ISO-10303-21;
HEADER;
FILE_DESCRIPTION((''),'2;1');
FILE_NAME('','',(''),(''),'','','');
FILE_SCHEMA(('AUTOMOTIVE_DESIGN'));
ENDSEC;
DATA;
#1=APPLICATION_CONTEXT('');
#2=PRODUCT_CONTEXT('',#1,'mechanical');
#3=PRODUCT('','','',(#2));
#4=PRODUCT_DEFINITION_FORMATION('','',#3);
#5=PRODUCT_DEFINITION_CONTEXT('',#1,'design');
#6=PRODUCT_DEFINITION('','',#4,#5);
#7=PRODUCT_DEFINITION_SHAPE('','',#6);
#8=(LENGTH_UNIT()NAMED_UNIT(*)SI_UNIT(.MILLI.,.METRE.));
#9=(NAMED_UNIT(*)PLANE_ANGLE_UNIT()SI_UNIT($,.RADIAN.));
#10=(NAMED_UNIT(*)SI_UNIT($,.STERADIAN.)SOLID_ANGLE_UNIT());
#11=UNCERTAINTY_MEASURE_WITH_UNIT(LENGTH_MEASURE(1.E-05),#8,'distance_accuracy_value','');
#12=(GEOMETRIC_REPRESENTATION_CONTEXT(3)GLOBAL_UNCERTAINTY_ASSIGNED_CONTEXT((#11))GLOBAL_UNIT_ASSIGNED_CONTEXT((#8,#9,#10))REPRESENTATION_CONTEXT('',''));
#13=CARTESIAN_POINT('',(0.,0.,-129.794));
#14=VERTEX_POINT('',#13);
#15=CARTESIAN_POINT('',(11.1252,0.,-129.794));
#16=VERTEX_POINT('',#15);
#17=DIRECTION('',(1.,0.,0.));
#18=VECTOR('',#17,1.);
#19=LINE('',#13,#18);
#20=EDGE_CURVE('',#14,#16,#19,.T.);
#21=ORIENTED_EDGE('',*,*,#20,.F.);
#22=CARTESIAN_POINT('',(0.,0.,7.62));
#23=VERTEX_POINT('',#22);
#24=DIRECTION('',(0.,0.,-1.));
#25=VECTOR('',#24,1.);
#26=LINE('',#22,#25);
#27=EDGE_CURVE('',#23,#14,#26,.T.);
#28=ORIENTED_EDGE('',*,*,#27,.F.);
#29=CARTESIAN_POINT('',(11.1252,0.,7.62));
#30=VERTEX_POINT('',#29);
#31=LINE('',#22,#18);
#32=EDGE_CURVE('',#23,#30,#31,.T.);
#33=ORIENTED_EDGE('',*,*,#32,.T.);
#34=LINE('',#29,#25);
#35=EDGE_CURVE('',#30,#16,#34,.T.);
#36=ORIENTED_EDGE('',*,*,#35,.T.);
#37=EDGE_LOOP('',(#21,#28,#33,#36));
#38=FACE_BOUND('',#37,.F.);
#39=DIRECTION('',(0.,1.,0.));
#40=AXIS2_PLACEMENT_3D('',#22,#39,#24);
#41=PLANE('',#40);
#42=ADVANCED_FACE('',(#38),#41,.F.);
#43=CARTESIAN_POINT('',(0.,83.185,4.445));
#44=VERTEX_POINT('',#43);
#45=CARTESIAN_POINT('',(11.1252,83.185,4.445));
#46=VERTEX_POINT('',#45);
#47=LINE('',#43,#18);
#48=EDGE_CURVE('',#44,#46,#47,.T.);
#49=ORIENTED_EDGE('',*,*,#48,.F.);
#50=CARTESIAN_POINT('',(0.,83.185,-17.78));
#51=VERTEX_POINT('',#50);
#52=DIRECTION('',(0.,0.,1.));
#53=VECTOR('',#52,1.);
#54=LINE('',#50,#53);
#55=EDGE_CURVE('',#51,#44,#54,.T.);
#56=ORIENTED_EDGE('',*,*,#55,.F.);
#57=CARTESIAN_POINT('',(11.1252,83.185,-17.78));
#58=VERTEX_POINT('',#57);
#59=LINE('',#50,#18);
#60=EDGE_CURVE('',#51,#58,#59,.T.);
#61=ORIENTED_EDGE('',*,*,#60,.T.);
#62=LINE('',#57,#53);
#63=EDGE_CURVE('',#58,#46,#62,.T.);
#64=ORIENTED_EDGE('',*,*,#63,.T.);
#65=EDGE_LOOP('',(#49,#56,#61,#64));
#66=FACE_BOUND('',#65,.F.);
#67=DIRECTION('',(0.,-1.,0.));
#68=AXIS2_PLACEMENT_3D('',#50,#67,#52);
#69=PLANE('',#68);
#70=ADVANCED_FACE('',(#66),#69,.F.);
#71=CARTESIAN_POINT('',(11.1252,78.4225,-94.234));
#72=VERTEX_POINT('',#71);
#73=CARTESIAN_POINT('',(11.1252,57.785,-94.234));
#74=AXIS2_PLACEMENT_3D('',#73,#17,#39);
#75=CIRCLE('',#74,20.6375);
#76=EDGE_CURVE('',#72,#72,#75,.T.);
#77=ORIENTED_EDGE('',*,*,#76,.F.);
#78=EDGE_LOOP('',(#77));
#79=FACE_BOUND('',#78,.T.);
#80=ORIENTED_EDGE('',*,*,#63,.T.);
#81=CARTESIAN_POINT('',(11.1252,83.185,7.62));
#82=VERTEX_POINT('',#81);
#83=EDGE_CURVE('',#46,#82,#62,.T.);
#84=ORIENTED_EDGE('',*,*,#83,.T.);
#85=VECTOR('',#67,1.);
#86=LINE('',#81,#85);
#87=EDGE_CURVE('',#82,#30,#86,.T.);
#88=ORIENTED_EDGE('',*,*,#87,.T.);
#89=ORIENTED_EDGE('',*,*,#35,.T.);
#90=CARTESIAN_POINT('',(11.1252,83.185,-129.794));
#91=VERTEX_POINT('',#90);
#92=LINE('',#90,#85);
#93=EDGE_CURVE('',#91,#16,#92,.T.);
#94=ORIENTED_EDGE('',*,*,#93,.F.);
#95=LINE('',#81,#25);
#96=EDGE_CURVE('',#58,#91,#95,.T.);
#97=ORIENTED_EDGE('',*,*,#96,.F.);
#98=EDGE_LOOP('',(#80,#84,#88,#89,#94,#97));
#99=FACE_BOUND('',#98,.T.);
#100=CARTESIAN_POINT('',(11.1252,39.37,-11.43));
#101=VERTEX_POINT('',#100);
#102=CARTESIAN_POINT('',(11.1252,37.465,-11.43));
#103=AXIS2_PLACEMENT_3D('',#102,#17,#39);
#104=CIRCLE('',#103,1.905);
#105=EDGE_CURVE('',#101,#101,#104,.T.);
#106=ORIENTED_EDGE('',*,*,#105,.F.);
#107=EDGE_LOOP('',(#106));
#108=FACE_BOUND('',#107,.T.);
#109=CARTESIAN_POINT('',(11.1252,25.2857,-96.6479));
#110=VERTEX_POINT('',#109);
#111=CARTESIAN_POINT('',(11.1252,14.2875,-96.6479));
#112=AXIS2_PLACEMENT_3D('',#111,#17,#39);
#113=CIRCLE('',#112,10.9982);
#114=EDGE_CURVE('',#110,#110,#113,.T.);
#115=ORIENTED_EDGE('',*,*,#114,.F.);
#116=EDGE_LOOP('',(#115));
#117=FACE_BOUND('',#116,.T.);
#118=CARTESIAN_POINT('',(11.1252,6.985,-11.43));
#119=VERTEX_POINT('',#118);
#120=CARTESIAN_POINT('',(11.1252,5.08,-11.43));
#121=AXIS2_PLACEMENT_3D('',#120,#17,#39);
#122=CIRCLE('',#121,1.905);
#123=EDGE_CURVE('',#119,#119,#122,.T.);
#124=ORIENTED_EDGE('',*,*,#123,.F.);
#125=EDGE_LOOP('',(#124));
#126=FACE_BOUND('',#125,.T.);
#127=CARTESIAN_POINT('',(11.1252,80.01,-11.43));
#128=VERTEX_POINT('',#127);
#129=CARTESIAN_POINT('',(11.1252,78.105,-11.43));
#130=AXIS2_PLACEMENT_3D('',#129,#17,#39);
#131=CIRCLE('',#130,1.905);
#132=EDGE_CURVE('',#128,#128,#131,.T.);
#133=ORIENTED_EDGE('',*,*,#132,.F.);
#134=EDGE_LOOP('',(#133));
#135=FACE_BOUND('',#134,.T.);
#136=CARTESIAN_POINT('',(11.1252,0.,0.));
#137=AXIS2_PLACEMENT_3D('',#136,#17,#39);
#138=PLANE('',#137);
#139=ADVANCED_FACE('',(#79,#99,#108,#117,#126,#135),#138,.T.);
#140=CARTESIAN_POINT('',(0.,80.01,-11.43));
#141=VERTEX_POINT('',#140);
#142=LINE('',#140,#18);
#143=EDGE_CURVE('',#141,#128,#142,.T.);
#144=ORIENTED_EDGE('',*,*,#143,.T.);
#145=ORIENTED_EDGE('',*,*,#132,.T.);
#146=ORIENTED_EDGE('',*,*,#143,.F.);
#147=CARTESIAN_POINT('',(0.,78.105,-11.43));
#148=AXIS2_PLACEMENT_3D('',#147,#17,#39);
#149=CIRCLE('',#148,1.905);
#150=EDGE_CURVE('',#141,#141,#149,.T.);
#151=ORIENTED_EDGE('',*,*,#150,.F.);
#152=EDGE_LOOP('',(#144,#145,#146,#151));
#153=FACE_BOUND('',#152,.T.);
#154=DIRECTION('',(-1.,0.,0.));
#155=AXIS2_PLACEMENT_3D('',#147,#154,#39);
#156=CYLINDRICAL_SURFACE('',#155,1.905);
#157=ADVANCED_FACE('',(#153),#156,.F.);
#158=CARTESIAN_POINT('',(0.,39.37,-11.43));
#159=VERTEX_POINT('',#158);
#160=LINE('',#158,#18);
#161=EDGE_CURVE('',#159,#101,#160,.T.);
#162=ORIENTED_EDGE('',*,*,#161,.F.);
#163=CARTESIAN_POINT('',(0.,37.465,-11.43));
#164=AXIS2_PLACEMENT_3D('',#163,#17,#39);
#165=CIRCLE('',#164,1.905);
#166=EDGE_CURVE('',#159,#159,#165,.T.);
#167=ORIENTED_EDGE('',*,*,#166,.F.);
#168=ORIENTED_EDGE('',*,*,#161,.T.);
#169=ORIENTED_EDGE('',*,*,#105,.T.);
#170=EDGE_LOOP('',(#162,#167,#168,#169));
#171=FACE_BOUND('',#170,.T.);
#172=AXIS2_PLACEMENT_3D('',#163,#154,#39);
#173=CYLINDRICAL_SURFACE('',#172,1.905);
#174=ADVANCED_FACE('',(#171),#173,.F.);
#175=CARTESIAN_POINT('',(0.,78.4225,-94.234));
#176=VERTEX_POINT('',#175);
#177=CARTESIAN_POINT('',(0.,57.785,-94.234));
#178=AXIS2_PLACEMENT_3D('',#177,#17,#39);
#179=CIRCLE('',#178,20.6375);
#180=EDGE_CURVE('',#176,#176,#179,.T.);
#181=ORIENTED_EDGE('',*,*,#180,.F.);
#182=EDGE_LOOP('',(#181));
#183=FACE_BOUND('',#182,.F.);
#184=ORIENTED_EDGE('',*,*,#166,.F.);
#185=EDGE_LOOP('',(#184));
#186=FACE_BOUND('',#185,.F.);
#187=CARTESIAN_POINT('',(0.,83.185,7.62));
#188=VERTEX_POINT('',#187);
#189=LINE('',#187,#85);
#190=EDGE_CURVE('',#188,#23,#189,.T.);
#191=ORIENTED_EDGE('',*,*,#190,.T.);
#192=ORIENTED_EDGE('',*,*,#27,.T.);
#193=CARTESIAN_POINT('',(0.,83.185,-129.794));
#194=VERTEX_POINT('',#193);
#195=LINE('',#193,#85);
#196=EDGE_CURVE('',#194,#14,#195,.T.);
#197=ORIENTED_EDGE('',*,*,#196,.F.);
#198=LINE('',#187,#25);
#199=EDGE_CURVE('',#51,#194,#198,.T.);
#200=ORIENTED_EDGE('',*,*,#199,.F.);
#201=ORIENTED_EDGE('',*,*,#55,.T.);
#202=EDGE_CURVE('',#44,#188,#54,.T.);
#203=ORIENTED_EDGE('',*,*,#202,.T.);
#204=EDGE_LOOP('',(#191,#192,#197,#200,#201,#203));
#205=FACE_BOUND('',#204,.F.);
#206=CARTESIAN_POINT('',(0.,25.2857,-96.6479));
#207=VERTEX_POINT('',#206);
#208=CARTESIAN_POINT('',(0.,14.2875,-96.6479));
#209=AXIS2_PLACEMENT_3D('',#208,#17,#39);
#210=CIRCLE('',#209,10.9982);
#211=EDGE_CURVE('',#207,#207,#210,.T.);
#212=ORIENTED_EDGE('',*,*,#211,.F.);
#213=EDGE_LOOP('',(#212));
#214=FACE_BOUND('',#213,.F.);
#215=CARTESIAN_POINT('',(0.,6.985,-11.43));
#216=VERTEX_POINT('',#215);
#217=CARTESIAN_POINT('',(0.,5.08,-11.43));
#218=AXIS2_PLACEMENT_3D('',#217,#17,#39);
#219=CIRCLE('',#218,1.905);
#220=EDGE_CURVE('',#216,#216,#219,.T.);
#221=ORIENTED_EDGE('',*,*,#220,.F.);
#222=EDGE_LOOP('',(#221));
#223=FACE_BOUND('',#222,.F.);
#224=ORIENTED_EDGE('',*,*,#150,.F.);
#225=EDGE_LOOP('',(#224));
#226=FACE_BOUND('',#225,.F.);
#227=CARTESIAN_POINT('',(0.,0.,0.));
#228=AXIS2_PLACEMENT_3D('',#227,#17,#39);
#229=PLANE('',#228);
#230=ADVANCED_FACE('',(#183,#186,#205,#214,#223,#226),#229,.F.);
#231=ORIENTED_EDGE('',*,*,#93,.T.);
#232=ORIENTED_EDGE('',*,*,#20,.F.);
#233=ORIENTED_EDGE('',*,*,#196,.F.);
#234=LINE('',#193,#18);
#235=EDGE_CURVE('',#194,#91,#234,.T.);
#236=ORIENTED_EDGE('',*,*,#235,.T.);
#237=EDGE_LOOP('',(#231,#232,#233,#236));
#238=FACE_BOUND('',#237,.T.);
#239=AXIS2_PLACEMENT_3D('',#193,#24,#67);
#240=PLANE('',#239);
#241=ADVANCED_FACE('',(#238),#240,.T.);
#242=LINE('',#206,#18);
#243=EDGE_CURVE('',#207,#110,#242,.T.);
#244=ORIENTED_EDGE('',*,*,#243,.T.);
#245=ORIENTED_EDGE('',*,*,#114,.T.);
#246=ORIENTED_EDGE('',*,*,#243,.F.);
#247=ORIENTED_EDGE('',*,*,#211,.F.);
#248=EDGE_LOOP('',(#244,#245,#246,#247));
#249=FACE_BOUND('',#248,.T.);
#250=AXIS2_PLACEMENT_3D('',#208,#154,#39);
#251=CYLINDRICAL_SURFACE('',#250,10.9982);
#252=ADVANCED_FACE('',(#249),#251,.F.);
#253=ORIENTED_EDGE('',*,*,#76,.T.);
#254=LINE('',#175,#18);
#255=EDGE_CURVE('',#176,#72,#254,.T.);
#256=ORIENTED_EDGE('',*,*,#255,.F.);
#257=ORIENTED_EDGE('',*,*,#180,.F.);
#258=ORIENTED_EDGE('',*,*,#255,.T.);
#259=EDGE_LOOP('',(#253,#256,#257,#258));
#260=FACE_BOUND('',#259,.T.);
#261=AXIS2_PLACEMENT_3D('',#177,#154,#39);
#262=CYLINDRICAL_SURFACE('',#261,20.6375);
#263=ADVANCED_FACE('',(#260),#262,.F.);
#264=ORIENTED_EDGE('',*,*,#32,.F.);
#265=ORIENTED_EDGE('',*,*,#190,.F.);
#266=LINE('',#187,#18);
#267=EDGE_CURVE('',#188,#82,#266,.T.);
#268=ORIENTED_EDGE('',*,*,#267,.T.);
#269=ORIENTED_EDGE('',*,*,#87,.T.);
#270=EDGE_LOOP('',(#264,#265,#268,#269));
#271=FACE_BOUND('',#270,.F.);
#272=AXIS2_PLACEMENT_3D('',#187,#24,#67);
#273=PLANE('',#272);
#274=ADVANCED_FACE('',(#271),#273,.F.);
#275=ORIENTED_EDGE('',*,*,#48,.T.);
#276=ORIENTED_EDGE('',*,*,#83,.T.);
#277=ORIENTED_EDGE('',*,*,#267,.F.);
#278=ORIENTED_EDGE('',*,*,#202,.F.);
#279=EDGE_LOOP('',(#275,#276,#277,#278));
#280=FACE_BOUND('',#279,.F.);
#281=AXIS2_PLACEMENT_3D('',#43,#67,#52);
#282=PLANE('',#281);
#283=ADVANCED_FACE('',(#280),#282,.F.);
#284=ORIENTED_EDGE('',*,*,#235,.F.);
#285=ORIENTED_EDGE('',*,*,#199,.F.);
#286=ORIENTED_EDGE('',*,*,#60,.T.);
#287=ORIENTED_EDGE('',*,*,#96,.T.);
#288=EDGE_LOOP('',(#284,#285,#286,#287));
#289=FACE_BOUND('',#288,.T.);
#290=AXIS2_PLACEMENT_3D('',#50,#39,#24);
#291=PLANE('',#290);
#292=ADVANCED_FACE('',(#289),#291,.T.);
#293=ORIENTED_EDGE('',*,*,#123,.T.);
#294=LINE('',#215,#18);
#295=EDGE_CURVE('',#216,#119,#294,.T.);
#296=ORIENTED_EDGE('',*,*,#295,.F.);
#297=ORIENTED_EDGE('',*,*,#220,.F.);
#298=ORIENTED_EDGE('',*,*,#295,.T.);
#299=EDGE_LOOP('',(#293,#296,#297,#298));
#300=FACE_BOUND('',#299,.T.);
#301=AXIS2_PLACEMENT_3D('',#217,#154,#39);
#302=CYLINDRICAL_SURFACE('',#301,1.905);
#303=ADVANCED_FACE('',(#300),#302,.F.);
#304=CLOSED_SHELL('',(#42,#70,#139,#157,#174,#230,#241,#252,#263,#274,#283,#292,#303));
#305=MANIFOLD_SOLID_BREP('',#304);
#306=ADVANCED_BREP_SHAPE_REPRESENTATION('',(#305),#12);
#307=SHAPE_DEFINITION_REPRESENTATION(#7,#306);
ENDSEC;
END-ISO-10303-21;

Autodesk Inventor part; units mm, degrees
ref_plane "YZ Plane" through (0, 0, 0) normal (1, 0, 0) x (0, 1, 0)
ref_plane "XZ Plane" through (0, 0, 0) normal (0, 1, 0) x (-1, 0, 0)
ref_plane "XY Plane" through (0, 0, 0) normal (0, 0, 1) x (1, 0, 0)
sketch "Sketch1" plane through (0, 0, 0) normal (1, 0, 0) x (0, 1, 0)
  circle A0 centre (5.08, -11.43) radius 1.905
  circle A1 centre (78.105, -11.43) radius 1.905
  circle A2 centre (37.465, -11.43) radius 1.905
  line L0 (83.185, -17.78) -> (83.185, 7.62)
  line L1 (83.185, 7.62) -> (0, 7.62)
  line L2 (0, 7.62) -> (0, -129.794)
  line L3 (83.185, 7.62) -> (83.185, 4.445)
  line L4 (83.185, 7.62) -> (83.185, -129.794)
  line L5 (83.185, -129.794) -> (0, -129.794)
  circle A3 centre (57.785, -94.234) radius 20.6375
  circle A4 centre (14.2875, -96.6479) radius 10.9982
  point P0 (0, 0)
  dimension "d16" = 3.81
  dimension "d51" = 3.81
  dimension "d52" = 3.81
  dimension "d53" = 137.414
  dimension "d54" = 41.275
  dimension "d55" = 21.9964
  dimension "d56" = 19.05
  dimension "d57" = 19.05
  dimension "d58" = 19.05
  dimension "d59" = 5.08
  dimension "d60" = 37.465
  dimension "d61" = 78.105
  dimension "d62" = 101.854
  dimension "d63" = 104.2679
  dimension "d64" = 25.4
  dimension "d65" = 14.2875
  dimension "d66" = 83.185
extrude "Extrusion6" add sketch "Sketch1" along normal blind 11.1252
properties part number "Frame Sides"
